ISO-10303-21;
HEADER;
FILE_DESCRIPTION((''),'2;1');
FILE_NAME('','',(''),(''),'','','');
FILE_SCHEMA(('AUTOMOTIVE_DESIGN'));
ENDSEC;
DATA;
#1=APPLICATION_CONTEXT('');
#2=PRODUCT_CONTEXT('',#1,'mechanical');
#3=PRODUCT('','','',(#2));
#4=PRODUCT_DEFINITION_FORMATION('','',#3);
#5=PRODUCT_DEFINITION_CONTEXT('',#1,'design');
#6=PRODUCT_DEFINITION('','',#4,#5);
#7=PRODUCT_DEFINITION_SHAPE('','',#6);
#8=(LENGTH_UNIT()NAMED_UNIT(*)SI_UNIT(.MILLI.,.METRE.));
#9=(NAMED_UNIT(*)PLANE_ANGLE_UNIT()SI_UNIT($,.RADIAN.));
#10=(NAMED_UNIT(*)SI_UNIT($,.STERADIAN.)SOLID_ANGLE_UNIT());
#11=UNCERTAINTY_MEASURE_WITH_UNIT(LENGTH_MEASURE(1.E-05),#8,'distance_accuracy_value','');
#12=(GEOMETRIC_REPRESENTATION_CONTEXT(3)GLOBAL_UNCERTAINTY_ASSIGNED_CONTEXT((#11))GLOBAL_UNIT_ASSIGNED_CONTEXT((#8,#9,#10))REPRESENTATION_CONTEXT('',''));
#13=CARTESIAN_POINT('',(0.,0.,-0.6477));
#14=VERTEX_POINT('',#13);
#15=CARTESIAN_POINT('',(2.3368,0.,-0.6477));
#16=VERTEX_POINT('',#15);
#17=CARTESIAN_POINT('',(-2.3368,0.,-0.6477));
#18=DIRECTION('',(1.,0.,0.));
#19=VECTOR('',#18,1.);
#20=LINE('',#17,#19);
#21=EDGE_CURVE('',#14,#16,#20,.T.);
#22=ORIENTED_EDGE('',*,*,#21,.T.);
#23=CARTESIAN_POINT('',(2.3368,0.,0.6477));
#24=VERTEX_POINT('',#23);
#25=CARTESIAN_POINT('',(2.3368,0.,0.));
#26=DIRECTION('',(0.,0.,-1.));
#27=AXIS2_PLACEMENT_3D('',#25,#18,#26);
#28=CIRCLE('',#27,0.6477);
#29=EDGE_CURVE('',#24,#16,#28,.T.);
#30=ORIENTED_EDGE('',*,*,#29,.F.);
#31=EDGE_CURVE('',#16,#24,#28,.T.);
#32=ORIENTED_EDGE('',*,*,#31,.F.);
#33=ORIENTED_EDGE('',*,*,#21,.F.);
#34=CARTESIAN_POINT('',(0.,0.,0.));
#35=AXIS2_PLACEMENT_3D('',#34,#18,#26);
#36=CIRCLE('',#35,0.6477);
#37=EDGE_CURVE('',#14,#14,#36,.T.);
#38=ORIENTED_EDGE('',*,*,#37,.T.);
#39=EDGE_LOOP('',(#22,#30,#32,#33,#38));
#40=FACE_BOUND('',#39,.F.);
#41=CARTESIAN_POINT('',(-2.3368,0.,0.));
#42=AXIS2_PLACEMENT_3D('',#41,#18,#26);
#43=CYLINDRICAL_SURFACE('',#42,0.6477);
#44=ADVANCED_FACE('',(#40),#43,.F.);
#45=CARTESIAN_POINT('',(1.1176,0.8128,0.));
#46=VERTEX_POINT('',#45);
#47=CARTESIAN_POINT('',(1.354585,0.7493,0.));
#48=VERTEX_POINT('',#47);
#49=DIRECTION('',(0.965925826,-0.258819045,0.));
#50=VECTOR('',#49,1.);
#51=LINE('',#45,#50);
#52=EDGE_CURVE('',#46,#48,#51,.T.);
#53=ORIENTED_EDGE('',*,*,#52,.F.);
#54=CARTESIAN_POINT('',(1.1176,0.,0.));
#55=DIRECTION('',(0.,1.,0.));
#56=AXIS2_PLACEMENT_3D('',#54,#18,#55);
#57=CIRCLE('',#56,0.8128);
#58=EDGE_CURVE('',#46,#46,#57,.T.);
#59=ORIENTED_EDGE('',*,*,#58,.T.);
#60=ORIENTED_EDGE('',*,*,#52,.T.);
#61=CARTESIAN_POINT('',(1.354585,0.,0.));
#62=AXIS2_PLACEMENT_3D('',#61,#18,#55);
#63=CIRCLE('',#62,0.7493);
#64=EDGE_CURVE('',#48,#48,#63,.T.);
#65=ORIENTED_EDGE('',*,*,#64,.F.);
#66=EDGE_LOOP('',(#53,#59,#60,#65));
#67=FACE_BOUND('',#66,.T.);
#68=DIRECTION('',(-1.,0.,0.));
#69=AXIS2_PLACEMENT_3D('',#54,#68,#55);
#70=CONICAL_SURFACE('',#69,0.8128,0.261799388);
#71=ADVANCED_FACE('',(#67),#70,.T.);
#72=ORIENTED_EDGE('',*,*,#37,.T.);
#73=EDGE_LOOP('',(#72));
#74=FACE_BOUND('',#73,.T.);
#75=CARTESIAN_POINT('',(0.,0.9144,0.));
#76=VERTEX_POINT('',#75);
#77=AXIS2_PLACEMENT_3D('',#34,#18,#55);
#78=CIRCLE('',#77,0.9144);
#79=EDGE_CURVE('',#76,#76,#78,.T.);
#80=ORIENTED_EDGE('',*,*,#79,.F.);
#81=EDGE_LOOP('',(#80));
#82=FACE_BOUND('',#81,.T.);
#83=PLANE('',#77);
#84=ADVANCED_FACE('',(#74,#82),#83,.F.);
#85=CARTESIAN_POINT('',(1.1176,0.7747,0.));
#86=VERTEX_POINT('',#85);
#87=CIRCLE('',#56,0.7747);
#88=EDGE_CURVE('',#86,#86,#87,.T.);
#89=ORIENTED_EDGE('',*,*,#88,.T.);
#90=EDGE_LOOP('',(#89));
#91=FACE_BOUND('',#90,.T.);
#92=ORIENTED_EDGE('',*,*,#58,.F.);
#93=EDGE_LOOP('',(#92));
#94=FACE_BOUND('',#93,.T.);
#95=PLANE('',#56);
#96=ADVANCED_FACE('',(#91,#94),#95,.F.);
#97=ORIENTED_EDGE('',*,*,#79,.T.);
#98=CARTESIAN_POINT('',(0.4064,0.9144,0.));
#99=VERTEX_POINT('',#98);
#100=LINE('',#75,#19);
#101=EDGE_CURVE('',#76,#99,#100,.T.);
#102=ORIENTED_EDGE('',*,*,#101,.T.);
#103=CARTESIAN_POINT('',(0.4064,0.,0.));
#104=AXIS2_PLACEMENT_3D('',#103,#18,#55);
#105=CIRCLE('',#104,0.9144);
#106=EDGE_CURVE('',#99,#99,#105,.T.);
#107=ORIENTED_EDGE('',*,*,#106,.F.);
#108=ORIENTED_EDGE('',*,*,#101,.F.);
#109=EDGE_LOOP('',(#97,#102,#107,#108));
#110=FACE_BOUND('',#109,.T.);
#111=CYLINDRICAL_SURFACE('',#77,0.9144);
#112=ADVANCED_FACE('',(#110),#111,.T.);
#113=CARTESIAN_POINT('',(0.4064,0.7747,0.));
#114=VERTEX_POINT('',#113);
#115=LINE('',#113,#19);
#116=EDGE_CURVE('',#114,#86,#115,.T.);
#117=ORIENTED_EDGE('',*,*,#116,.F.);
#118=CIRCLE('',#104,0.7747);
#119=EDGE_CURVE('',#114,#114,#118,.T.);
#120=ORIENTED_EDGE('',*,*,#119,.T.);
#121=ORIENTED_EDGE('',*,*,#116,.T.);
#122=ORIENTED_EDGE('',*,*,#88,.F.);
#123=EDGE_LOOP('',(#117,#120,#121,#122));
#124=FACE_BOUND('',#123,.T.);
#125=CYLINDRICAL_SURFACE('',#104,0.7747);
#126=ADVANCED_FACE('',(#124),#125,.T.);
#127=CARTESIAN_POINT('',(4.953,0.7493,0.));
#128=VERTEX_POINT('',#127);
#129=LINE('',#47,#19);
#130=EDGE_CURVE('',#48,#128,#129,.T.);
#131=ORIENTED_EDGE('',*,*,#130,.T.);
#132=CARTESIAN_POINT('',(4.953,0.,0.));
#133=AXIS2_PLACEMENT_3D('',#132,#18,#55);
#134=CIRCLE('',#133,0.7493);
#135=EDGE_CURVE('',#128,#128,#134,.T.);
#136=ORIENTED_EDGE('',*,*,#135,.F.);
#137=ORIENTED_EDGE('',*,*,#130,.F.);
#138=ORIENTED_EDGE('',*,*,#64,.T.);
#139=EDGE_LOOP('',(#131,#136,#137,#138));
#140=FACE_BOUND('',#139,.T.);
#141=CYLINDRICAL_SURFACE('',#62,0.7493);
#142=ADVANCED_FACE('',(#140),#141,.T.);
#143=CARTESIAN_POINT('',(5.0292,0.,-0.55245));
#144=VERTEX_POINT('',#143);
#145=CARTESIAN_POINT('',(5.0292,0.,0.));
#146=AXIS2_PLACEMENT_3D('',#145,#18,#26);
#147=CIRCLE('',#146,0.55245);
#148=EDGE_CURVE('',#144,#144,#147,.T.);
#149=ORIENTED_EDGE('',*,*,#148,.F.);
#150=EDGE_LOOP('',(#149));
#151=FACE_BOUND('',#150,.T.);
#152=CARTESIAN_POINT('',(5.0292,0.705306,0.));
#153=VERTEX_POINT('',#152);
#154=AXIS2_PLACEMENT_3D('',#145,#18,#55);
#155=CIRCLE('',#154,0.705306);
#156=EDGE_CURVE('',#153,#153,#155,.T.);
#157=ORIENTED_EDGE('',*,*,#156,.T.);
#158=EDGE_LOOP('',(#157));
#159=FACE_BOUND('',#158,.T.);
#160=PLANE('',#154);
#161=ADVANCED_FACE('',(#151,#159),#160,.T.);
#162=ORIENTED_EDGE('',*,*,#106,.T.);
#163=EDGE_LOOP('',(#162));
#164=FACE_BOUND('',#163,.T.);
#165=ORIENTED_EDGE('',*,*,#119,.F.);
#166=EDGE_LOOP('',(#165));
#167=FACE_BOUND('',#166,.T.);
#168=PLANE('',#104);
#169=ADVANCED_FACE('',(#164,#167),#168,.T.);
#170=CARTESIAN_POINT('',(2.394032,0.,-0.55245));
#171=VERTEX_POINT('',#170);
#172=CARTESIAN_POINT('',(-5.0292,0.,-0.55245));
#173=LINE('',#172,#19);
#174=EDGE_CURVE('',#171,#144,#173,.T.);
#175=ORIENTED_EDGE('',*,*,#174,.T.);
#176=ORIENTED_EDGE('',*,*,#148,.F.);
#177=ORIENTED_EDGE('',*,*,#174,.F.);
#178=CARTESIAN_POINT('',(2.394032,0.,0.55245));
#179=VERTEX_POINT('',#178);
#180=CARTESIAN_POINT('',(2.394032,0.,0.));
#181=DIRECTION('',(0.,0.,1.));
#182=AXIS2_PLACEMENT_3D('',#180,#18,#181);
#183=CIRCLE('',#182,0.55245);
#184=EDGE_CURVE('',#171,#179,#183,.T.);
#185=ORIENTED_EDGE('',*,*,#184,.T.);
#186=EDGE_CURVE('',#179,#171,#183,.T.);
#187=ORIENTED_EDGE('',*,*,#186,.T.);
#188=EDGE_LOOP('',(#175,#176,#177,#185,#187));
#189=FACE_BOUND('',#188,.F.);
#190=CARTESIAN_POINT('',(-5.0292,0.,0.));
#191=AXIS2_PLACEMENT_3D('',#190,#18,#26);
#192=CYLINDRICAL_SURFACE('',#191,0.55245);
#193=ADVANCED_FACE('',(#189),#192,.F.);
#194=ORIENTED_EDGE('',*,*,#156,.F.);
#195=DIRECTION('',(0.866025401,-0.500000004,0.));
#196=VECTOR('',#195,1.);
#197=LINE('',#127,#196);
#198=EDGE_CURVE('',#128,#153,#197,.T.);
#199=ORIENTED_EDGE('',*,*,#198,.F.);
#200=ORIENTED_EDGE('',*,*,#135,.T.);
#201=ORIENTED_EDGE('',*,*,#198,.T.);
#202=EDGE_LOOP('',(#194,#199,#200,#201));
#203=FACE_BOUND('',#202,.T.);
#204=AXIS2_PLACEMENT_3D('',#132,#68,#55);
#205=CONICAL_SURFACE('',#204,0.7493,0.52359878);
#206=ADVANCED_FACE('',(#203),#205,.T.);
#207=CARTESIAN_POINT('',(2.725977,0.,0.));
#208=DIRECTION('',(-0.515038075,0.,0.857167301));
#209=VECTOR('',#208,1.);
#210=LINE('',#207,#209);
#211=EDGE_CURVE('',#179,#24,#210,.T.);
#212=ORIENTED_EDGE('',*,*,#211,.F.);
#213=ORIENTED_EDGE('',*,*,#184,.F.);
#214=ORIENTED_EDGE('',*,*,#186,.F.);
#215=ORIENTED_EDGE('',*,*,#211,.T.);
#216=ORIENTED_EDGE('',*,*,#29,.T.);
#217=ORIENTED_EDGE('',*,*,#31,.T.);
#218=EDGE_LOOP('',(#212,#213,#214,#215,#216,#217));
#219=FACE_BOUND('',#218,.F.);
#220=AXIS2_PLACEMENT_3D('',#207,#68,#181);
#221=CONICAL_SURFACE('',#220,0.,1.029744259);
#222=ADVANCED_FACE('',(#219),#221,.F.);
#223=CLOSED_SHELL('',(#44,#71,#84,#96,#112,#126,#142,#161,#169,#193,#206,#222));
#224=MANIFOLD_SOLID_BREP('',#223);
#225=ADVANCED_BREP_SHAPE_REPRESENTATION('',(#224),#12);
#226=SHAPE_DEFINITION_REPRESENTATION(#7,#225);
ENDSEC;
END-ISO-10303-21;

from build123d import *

# Parameters (mm, degrees)
HOLE1_D     = 1.2954
HOLE1_DEPTH = 2.3368
HOLE1_TIP   = 0.389177423
HOLE2_D     = 1.1049
HOLE2_DEPTH = 5.0292
HOLE2_TIP   = 0.331945449


with BuildPart() as part:
    # Sketch1 → RevolutionAngle1 (revolve)
    with BuildSketch(Plane.XY):
        Polygon((0, 0), (0, 0.9144), (0.4064, 0.9144), (0.4064, 0.7747), (1.1176, 0.7747), (1.1176, 0.8128), (1.354585226, 0.7493), (4.953, 0.7493), (5.0292, 0.705305909), (5.0292, 0), align=None)
    revolve(axis=Axis((0, 0, 0), (1, 0, 0)))

    # Hole1
    with Locations(Plane.ZY):
        with Locations((0, 0)):
            Hole(HOLE1_D / 2, depth=HOLE1_DEPTH)
            with Locations((0, 0, -(HOLE1_DEPTH + HOLE1_TIP / 2))):  # 118° drill point
                Cone(0, HOLE1_D / 2, HOLE1_TIP, mode=Mode.SUBTRACT)

    # Hole2
    with Locations(Plane(origin=(0, 0.341908119, -0.685195276), x_dir=(0, 0, 1), z_dir=(-1, 0, 0))):
        with Locations((0.685195276, -0.341908119)):
            Hole(HOLE2_D / 2, depth=HOLE2_DEPTH)
            with Locations((0, 0, -(HOLE2_DEPTH + HOLE2_TIP / 2))):  # 118° drill point
                Cone(0, HOLE2_D / 2, HOLE2_TIP, mode=Mode.SUBTRACT)


solid = part.part
